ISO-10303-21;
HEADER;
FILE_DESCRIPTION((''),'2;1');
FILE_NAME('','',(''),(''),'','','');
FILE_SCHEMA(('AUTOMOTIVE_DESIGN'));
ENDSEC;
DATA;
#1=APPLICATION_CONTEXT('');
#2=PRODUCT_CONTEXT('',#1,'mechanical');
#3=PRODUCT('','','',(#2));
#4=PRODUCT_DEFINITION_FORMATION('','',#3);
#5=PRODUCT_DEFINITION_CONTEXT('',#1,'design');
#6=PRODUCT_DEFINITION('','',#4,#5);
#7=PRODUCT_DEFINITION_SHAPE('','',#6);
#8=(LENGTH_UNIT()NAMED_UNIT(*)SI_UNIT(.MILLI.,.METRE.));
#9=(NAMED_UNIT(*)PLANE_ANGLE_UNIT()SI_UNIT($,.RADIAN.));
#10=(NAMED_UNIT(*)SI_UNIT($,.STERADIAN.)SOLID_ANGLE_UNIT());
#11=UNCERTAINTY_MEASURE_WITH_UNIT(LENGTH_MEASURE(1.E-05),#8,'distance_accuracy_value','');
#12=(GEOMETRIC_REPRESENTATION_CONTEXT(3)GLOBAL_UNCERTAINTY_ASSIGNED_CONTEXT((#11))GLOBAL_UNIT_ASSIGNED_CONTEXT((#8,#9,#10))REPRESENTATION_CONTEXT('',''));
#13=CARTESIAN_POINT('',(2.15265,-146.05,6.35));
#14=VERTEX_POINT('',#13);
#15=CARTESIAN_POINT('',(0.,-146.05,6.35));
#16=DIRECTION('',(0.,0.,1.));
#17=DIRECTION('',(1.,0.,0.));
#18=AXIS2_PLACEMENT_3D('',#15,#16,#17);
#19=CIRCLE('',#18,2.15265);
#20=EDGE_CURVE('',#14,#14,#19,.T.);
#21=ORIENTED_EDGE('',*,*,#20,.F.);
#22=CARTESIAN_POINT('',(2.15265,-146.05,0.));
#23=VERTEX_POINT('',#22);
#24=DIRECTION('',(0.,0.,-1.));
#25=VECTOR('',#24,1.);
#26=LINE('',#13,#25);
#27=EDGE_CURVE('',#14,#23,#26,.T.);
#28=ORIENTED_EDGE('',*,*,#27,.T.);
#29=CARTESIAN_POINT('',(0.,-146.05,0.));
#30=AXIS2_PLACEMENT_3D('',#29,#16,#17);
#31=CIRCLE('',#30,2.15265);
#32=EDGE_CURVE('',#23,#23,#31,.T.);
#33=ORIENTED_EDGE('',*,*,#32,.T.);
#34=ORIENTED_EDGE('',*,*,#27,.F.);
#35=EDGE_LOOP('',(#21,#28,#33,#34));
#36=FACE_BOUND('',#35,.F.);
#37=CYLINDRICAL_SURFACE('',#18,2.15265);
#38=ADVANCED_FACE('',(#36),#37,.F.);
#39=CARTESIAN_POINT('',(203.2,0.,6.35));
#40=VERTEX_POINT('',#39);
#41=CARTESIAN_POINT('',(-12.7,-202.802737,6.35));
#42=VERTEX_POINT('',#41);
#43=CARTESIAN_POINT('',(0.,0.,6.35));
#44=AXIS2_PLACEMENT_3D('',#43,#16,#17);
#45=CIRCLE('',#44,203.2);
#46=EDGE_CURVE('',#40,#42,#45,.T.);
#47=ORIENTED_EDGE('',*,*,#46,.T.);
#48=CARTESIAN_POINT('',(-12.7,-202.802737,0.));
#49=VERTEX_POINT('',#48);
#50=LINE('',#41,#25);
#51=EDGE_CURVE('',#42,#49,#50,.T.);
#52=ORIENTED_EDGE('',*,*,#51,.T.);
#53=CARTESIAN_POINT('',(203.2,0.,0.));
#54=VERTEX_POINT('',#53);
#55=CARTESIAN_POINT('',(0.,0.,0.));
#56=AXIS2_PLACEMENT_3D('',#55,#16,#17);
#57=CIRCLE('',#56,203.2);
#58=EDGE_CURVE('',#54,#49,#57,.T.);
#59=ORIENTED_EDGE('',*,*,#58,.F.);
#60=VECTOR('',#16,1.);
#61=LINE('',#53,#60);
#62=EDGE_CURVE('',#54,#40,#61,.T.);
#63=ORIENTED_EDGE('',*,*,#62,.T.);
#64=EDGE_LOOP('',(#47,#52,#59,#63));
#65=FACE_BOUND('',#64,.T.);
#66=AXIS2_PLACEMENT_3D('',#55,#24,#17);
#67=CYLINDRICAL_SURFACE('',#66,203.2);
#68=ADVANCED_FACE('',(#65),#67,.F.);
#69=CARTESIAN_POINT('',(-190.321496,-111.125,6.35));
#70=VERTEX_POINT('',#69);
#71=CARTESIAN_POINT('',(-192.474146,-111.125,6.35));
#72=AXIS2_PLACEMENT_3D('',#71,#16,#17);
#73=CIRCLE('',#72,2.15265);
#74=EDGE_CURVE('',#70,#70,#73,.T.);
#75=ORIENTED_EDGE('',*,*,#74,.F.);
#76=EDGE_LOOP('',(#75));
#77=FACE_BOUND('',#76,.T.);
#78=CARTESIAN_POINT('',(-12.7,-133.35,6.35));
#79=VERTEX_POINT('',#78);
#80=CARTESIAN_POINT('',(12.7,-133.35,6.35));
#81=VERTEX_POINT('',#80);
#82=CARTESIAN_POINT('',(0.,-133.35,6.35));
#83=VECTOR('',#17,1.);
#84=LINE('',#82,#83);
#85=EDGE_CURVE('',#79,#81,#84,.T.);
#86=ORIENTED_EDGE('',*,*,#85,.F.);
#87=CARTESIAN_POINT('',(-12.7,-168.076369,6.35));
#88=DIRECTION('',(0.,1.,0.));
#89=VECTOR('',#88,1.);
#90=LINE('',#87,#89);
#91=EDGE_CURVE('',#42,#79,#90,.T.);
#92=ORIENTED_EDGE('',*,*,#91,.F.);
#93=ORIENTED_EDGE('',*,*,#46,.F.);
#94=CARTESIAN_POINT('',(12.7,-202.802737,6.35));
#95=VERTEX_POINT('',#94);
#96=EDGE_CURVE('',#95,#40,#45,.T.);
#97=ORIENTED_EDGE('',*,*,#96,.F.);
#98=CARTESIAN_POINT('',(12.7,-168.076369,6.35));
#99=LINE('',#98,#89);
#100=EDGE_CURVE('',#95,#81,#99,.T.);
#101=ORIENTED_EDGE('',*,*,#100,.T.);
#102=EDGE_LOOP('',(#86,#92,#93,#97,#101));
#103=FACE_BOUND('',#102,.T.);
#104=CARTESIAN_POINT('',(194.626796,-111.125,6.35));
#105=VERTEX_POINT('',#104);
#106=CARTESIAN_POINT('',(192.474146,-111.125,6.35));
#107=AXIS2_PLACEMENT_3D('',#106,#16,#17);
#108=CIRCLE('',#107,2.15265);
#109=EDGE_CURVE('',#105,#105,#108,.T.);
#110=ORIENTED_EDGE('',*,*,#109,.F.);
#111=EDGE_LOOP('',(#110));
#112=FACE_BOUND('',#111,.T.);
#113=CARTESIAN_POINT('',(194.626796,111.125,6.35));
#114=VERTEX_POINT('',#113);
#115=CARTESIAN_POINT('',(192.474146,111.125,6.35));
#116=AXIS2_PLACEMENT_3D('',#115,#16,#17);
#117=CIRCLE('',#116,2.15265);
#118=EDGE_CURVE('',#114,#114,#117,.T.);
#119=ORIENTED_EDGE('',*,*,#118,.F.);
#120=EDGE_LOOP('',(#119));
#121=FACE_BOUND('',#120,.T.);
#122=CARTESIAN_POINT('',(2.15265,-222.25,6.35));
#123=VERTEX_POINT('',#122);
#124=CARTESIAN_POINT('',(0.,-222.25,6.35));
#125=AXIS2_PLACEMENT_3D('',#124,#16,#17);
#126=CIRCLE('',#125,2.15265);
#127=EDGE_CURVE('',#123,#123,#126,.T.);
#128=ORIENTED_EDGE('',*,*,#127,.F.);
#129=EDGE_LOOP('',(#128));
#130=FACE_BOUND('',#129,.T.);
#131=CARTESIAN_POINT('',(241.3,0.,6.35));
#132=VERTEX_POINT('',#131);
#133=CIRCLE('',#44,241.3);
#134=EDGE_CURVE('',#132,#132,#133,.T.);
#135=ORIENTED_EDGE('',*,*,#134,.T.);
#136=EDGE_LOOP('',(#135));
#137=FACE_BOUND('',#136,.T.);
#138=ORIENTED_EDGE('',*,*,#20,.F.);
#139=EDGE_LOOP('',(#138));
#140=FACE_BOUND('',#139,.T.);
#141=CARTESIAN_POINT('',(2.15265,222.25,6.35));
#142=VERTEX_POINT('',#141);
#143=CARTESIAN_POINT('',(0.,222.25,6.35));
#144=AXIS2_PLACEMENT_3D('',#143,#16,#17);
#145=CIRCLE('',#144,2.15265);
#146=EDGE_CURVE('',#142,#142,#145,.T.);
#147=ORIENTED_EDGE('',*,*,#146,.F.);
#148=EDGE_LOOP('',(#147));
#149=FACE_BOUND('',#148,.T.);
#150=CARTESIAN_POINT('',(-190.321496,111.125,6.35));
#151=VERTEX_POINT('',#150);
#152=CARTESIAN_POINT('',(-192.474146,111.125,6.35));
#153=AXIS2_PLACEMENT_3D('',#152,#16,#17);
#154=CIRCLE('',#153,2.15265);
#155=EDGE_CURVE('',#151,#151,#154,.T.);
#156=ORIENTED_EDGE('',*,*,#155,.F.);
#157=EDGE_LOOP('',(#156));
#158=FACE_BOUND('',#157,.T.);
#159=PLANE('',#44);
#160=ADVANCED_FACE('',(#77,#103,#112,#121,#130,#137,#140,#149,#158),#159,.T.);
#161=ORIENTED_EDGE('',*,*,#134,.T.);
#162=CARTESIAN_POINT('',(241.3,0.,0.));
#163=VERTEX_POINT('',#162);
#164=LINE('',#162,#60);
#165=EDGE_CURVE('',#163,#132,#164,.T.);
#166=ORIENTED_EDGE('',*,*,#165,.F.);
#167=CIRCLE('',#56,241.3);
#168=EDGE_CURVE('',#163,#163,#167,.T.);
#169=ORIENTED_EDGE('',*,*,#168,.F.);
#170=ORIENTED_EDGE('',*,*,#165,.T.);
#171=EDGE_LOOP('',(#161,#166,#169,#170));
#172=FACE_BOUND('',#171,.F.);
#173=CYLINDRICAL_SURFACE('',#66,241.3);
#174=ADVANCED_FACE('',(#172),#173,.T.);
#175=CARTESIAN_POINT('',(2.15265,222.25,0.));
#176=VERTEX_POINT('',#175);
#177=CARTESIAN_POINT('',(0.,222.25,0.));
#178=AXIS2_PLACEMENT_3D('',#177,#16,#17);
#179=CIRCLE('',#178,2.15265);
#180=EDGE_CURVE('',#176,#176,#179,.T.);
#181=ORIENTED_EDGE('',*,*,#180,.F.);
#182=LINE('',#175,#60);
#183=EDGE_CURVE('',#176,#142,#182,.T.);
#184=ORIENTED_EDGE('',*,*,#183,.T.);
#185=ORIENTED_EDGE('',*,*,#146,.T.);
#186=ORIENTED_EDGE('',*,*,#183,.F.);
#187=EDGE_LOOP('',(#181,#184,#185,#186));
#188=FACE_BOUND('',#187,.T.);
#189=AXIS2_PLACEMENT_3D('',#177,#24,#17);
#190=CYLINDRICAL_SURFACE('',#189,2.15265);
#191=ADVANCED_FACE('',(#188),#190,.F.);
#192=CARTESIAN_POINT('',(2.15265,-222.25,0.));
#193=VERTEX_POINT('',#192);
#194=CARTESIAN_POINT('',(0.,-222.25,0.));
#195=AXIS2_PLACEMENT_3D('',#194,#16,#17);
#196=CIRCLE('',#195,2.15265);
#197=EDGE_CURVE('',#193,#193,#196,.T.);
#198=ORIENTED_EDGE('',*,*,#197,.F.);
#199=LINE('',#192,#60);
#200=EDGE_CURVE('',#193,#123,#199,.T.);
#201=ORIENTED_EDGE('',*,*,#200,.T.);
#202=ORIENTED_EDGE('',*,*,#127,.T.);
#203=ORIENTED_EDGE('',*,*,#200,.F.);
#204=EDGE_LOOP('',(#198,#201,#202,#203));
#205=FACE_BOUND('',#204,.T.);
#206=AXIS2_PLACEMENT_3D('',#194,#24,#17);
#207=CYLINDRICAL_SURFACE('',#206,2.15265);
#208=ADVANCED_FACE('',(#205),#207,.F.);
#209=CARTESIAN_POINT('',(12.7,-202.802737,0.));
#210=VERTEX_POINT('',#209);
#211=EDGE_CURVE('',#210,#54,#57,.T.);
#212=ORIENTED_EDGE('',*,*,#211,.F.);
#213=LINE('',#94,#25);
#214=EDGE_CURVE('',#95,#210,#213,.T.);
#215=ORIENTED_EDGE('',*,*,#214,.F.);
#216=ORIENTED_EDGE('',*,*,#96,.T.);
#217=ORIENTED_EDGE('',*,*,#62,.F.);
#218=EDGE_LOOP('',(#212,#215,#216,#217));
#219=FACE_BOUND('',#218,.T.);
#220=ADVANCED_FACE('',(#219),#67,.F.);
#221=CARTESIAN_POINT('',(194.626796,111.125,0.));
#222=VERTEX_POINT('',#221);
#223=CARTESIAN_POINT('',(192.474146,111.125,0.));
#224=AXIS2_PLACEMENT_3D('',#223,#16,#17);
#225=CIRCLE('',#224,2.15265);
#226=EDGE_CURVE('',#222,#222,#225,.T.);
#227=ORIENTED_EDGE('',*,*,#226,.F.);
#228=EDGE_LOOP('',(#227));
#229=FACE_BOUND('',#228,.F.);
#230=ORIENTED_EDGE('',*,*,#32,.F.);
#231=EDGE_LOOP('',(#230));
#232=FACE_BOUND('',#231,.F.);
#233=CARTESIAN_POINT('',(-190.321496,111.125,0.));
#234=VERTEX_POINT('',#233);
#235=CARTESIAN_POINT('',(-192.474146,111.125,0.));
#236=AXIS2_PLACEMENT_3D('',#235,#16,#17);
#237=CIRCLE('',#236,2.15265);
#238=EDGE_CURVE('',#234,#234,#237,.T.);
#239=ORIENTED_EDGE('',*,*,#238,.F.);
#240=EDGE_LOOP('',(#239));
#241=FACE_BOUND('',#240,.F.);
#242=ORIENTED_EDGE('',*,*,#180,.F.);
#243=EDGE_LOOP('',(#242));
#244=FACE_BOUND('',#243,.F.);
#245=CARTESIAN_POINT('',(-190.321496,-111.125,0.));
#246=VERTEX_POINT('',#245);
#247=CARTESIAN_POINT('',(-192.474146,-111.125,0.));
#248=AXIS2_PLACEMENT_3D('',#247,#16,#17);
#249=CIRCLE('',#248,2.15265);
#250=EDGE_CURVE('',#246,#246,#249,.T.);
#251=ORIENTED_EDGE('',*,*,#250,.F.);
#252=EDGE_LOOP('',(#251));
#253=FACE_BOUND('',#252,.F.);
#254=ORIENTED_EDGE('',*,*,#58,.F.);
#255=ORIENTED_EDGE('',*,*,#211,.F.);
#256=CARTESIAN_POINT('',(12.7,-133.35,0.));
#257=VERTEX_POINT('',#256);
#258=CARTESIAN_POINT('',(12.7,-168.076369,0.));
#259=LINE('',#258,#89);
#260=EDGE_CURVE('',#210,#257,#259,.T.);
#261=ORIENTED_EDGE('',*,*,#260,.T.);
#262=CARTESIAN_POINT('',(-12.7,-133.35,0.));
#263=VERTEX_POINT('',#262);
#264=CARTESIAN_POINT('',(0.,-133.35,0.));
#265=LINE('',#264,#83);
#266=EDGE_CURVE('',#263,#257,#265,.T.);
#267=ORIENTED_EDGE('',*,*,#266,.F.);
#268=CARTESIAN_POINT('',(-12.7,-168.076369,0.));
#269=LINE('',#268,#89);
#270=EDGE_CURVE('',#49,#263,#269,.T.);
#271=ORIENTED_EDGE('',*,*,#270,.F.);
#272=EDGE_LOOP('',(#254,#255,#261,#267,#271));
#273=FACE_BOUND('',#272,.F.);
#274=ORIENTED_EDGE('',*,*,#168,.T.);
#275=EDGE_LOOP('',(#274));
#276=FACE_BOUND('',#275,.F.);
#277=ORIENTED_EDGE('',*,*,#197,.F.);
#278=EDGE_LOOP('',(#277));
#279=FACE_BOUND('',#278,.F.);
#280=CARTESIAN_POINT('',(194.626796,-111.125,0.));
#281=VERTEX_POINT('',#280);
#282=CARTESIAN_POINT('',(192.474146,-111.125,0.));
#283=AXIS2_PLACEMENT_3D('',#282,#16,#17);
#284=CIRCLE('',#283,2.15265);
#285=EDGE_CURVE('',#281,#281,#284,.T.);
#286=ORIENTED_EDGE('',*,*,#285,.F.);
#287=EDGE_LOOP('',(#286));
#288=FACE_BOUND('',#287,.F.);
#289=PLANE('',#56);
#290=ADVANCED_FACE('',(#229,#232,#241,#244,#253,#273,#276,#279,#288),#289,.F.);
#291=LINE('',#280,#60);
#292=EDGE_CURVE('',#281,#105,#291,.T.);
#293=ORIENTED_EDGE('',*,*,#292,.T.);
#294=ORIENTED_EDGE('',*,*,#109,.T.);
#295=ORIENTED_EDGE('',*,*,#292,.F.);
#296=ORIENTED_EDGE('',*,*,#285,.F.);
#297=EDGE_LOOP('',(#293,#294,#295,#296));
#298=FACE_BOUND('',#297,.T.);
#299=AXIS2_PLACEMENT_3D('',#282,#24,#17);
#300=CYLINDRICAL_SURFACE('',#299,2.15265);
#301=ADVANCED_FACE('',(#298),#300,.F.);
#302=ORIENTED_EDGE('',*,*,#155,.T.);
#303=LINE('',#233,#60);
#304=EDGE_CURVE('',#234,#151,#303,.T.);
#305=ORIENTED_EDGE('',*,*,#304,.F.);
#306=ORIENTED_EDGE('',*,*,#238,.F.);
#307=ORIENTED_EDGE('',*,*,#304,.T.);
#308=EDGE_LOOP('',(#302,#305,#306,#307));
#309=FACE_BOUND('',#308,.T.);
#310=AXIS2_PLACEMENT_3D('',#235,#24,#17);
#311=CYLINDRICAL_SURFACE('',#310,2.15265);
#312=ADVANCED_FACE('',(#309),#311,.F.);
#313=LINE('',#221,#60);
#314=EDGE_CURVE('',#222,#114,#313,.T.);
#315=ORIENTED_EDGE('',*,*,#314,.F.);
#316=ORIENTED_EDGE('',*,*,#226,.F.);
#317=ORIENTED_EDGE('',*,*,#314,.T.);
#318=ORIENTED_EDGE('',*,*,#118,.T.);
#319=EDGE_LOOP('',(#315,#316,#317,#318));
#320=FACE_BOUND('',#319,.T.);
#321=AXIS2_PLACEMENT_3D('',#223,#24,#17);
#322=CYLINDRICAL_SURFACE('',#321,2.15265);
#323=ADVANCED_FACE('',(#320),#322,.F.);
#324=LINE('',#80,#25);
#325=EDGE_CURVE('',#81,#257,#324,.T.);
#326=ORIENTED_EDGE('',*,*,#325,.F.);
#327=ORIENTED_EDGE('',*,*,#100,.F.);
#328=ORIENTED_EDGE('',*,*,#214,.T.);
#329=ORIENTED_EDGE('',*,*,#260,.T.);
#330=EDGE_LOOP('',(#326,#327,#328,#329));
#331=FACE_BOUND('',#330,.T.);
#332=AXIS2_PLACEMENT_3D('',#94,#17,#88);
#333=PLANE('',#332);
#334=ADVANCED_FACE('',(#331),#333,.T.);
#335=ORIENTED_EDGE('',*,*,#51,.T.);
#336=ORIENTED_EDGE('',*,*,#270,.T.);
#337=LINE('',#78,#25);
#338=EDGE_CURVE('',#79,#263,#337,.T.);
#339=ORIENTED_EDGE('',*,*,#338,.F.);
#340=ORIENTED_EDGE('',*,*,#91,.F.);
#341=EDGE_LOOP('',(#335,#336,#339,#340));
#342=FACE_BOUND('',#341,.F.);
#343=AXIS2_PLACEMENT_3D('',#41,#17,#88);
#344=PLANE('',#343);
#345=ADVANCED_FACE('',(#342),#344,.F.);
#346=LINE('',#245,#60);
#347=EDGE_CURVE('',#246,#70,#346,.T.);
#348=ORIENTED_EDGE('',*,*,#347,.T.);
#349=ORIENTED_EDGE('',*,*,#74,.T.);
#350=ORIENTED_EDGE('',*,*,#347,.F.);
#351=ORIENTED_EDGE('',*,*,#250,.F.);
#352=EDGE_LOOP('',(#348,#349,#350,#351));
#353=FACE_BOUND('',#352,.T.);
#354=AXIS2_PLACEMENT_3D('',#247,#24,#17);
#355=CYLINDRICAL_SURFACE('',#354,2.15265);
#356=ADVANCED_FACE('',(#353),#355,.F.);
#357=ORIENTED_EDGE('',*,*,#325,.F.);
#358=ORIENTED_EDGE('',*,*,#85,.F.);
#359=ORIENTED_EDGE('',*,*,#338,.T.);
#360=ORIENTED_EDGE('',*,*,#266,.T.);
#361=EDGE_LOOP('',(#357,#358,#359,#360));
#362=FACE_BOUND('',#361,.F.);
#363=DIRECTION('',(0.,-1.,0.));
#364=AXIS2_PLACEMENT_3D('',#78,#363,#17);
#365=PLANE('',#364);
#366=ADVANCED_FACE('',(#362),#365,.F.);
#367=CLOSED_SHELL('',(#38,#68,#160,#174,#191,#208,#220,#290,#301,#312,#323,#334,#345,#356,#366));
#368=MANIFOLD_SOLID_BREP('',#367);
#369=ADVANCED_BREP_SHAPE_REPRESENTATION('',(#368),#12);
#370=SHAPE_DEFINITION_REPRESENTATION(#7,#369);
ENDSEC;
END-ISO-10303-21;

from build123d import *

# Parameters (mm, degrees)
F0_R     = 241.3
F0_R_2   = 2.15265
F0_R_3   = 203.2
F1_DEPTH = 6.35
F2_W     = 25.4
F2_H     = 69.452737
F2_R     = 2.15265
F3_DEPTH = 6.35


with BuildPart() as f1:
    # F0 (on Top) → F1 (new body)
    with BuildSketch(Plane.XY):
        Circle(F0_R)
        with Locations((-192.474146, -111.125)):
            Circle(F0_R_2, mode=Mode.SUBTRACT)
        with Locations((0, -222.25)):
            Circle(F0_R_2, mode=Mode.SUBTRACT)
        with Locations((192.474146, -111.125)):
            Circle(F0_R_2, mode=Mode.SUBTRACT)
        with Locations((-192.474146, 111.125)):
            Circle(F0_R_2, mode=Mode.SUBTRACT)
        Circle(F0_R_3, mode=Mode.SUBTRACT)
        with Locations((192.474146, 111.125)):
            Circle(F0_R_2, mode=Mode.SUBTRACT)
        with Locations((0, 222.25)):
            Circle(F0_R_2, mode=Mode.SUBTRACT)
    extrude(amount=F1_DEPTH)

    # F2 (on face) → F3 (join, through all)
    with BuildSketch(Plane.XY.offset(6.35)):
        with Locations((0, -168.076369)):
            Rectangle(F2_W, F2_H)
        with Locations((0, -146.05)):
            Circle(F2_R, mode=Mode.SUBTRACT)
        with BuildLine():
            Line((12.7, -202.802737), (-12.7, -202.802737))
            ThreePointArc((-12.7, -202.802737), (0, -203.2), (12.7, -202.802737))
        make_face()
    extrude(amount=-F3_DEPTH)


solid = f1.part
